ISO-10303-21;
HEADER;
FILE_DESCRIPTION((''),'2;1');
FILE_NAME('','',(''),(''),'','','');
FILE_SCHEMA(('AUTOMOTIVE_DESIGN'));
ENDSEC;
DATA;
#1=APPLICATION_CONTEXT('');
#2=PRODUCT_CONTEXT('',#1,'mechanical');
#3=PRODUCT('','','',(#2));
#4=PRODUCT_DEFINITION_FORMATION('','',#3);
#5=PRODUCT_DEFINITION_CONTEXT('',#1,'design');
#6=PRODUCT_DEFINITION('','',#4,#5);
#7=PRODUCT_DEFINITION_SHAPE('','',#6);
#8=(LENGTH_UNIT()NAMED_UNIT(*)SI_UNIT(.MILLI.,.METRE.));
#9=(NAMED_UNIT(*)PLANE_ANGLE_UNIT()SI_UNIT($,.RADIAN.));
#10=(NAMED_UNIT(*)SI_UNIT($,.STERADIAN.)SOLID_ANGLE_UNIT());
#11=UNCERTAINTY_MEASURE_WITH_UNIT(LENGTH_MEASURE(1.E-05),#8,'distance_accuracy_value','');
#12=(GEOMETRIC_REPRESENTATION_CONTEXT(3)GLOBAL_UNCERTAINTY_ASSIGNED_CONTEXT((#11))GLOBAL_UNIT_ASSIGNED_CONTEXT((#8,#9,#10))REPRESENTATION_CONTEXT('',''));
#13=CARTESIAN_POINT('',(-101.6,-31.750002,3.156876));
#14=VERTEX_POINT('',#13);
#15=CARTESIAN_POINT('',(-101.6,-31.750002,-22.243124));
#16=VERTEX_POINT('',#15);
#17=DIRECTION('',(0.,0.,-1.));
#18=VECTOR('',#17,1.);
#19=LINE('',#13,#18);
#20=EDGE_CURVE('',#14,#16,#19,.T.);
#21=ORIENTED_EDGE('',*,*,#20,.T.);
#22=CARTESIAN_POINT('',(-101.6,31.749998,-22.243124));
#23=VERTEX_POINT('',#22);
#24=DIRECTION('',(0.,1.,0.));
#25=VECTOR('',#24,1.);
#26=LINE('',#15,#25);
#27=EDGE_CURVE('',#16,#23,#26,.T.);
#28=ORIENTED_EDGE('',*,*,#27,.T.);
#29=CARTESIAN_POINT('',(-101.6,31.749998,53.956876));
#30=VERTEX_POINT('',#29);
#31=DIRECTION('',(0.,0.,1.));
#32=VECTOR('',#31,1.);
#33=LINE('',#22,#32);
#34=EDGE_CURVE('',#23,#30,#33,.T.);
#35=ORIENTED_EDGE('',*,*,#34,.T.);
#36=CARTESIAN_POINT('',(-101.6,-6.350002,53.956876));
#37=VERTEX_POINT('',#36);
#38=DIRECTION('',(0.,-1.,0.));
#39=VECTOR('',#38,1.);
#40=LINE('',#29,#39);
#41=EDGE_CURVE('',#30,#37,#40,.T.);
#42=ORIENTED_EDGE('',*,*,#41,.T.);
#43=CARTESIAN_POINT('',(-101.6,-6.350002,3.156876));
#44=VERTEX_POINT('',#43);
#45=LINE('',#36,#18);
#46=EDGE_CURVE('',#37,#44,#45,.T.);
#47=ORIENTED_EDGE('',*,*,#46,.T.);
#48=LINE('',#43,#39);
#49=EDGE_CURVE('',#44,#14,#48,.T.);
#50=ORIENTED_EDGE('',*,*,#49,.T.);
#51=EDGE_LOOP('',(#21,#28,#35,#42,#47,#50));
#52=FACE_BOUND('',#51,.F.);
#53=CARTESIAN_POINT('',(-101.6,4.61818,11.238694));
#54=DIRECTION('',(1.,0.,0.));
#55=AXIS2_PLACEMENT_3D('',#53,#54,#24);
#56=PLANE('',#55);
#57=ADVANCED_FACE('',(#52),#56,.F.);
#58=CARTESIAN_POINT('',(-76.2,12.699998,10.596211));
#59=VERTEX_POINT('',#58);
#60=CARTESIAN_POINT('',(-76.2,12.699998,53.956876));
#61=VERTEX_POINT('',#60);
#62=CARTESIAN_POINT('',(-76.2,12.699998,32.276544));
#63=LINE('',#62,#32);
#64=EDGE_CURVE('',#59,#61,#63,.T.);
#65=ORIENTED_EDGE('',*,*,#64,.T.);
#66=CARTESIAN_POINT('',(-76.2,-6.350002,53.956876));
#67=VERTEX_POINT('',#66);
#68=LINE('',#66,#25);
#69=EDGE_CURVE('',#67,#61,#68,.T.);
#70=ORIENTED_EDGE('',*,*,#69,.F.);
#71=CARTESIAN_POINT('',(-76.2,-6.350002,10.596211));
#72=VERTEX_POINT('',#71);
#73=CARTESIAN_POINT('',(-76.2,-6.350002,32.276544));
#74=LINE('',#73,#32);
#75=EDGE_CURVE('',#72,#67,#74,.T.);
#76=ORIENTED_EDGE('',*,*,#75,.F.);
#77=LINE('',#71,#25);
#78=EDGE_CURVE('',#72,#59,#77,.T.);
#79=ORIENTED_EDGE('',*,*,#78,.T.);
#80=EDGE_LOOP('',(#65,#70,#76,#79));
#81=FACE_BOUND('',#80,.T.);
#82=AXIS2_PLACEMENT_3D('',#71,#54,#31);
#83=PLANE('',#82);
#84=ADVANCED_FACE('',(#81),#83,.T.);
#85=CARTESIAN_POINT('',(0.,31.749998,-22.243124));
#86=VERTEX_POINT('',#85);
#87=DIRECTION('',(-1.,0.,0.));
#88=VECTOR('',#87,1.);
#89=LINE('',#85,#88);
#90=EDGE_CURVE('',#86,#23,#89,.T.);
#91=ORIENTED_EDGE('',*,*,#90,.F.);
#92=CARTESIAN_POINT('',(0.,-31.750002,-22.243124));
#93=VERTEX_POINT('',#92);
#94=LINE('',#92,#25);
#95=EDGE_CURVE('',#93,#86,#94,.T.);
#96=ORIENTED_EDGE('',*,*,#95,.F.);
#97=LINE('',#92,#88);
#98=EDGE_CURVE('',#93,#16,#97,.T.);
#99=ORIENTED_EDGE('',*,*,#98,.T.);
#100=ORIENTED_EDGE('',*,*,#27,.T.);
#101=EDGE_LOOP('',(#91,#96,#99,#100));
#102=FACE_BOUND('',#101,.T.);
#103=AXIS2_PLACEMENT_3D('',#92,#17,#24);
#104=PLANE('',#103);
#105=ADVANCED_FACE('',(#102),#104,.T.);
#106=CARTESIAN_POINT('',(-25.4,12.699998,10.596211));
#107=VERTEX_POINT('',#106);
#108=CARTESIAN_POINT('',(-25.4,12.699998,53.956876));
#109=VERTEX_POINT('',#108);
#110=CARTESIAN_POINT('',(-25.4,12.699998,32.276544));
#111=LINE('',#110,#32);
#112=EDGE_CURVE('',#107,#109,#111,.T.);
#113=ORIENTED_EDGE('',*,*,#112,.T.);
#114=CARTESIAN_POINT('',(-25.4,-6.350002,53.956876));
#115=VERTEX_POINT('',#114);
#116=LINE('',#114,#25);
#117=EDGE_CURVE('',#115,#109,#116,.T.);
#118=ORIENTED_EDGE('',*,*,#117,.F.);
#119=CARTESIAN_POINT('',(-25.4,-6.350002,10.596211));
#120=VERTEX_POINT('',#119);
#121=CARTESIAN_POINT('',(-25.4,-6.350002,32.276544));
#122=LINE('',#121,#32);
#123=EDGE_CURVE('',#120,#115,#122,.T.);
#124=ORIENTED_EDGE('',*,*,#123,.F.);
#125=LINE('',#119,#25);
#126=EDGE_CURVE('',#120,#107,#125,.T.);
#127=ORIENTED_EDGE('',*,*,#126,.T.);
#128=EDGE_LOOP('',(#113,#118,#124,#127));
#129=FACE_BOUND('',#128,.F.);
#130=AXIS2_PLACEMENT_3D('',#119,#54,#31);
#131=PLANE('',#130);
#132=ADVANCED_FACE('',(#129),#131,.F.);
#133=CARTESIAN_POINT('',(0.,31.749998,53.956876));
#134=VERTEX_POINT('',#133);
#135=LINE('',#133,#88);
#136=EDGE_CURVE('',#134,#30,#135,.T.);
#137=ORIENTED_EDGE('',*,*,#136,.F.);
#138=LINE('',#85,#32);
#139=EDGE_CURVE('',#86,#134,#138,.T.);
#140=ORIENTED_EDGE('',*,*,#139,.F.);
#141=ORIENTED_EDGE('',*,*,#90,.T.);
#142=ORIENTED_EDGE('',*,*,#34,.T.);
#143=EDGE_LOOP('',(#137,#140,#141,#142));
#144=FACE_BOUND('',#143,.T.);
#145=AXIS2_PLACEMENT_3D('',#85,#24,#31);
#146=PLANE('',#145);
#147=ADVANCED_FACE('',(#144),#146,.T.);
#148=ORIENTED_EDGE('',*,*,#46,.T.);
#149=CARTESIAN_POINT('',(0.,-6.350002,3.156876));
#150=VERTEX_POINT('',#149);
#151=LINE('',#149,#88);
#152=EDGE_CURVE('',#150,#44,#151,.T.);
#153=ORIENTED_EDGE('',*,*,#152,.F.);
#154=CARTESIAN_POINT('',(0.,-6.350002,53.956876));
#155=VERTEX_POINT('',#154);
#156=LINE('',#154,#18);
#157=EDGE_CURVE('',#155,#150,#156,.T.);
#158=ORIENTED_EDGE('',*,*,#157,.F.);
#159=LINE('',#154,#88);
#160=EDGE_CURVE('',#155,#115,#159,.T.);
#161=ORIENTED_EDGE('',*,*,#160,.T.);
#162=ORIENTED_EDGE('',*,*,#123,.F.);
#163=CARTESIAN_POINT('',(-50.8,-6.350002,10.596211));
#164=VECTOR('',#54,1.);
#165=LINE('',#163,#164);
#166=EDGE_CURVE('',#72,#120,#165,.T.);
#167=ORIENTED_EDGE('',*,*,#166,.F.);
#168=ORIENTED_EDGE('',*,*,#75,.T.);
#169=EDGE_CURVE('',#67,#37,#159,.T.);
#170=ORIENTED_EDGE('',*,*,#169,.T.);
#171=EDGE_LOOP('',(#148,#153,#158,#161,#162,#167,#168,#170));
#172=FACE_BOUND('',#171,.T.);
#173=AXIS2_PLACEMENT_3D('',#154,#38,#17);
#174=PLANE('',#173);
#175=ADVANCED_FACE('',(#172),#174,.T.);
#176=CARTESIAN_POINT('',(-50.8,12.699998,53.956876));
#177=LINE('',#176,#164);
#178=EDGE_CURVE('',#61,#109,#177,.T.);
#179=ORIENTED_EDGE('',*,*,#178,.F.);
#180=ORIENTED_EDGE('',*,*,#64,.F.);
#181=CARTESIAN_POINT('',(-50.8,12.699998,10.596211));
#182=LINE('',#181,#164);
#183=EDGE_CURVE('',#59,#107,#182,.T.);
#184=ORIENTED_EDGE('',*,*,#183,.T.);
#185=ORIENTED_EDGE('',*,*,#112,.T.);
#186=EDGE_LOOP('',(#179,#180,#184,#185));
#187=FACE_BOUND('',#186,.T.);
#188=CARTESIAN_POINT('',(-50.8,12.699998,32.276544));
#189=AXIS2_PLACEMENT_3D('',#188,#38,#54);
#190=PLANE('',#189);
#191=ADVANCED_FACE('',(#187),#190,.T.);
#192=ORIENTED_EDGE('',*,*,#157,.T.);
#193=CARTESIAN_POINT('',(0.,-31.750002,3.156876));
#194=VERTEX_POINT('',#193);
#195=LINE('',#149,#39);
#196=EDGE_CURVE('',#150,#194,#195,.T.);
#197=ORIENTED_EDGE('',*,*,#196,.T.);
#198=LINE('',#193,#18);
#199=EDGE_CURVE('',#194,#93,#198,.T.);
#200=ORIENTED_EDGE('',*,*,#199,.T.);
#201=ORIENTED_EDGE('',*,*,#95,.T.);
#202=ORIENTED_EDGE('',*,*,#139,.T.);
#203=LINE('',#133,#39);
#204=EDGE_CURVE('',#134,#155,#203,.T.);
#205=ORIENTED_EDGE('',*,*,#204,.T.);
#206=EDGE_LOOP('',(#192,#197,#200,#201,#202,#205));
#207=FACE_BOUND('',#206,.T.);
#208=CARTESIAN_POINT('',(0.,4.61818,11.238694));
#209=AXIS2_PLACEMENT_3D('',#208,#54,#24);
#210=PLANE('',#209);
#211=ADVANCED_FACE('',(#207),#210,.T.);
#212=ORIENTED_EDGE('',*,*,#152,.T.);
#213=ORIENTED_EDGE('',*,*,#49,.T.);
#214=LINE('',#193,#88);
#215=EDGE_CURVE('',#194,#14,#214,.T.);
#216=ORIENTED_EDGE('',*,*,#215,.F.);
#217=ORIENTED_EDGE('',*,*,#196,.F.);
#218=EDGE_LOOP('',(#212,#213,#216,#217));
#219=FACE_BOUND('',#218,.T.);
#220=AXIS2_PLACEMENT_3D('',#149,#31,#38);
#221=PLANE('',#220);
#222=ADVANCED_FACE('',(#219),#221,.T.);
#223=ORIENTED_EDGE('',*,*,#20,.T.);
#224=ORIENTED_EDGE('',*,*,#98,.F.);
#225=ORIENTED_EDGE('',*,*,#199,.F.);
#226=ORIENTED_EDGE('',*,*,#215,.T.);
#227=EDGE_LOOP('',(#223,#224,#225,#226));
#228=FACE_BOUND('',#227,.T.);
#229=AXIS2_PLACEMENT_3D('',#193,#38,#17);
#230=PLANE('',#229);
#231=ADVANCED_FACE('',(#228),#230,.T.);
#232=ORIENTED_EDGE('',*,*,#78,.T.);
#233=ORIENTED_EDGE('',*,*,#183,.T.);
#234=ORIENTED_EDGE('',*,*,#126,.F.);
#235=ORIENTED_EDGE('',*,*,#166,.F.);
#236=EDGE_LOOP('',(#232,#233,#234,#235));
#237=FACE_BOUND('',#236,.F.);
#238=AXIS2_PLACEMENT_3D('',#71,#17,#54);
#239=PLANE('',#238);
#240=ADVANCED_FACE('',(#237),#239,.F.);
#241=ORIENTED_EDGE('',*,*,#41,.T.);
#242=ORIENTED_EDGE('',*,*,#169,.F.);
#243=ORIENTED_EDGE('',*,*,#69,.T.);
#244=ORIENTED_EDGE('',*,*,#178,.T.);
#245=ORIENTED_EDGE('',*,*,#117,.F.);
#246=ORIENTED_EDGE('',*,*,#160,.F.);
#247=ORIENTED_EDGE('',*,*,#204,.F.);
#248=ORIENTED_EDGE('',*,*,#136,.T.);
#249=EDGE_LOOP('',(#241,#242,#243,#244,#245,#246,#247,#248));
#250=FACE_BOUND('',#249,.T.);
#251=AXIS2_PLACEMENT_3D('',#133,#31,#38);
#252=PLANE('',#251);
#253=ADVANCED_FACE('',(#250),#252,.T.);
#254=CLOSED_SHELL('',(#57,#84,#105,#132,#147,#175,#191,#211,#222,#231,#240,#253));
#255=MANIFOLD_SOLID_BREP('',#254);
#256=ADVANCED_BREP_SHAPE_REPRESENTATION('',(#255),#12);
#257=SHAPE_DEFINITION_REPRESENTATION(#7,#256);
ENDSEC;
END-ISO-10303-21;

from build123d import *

# Parameters (mm, degrees)
F1_DEPTH = 101.6
F2_W     = 50.8
F2_H     = 43.3606645299
F3_DEPTH = 19.05


with BuildPart() as f1:
    # F0 (on Right) → F1 (new body)
    with BuildSketch(Plane.YZ):
        Polygon((-31.7500018626, 3.1568758694), (-31.7500018626, -22.2431241306), (31.7499981374, -22.2431241306), (31.7499981374, 53.9568758694), (-6.3500018626, 53.9568758694), (-6.3500018626, 3.1568758694), align=None)
    extrude(amount=-F1_DEPTH)

    # F2 (on face) → F3 (cut)
    with BuildSketch(Plane.XZ.offset(6.3500018626)):
        with Locations((-50.8, 32.2765436045)):
            Rectangle(F2_W, F2_H)
    extrude(amount=-F3_DEPTH, mode=Mode.SUBTRACT)


solid = f1.part
